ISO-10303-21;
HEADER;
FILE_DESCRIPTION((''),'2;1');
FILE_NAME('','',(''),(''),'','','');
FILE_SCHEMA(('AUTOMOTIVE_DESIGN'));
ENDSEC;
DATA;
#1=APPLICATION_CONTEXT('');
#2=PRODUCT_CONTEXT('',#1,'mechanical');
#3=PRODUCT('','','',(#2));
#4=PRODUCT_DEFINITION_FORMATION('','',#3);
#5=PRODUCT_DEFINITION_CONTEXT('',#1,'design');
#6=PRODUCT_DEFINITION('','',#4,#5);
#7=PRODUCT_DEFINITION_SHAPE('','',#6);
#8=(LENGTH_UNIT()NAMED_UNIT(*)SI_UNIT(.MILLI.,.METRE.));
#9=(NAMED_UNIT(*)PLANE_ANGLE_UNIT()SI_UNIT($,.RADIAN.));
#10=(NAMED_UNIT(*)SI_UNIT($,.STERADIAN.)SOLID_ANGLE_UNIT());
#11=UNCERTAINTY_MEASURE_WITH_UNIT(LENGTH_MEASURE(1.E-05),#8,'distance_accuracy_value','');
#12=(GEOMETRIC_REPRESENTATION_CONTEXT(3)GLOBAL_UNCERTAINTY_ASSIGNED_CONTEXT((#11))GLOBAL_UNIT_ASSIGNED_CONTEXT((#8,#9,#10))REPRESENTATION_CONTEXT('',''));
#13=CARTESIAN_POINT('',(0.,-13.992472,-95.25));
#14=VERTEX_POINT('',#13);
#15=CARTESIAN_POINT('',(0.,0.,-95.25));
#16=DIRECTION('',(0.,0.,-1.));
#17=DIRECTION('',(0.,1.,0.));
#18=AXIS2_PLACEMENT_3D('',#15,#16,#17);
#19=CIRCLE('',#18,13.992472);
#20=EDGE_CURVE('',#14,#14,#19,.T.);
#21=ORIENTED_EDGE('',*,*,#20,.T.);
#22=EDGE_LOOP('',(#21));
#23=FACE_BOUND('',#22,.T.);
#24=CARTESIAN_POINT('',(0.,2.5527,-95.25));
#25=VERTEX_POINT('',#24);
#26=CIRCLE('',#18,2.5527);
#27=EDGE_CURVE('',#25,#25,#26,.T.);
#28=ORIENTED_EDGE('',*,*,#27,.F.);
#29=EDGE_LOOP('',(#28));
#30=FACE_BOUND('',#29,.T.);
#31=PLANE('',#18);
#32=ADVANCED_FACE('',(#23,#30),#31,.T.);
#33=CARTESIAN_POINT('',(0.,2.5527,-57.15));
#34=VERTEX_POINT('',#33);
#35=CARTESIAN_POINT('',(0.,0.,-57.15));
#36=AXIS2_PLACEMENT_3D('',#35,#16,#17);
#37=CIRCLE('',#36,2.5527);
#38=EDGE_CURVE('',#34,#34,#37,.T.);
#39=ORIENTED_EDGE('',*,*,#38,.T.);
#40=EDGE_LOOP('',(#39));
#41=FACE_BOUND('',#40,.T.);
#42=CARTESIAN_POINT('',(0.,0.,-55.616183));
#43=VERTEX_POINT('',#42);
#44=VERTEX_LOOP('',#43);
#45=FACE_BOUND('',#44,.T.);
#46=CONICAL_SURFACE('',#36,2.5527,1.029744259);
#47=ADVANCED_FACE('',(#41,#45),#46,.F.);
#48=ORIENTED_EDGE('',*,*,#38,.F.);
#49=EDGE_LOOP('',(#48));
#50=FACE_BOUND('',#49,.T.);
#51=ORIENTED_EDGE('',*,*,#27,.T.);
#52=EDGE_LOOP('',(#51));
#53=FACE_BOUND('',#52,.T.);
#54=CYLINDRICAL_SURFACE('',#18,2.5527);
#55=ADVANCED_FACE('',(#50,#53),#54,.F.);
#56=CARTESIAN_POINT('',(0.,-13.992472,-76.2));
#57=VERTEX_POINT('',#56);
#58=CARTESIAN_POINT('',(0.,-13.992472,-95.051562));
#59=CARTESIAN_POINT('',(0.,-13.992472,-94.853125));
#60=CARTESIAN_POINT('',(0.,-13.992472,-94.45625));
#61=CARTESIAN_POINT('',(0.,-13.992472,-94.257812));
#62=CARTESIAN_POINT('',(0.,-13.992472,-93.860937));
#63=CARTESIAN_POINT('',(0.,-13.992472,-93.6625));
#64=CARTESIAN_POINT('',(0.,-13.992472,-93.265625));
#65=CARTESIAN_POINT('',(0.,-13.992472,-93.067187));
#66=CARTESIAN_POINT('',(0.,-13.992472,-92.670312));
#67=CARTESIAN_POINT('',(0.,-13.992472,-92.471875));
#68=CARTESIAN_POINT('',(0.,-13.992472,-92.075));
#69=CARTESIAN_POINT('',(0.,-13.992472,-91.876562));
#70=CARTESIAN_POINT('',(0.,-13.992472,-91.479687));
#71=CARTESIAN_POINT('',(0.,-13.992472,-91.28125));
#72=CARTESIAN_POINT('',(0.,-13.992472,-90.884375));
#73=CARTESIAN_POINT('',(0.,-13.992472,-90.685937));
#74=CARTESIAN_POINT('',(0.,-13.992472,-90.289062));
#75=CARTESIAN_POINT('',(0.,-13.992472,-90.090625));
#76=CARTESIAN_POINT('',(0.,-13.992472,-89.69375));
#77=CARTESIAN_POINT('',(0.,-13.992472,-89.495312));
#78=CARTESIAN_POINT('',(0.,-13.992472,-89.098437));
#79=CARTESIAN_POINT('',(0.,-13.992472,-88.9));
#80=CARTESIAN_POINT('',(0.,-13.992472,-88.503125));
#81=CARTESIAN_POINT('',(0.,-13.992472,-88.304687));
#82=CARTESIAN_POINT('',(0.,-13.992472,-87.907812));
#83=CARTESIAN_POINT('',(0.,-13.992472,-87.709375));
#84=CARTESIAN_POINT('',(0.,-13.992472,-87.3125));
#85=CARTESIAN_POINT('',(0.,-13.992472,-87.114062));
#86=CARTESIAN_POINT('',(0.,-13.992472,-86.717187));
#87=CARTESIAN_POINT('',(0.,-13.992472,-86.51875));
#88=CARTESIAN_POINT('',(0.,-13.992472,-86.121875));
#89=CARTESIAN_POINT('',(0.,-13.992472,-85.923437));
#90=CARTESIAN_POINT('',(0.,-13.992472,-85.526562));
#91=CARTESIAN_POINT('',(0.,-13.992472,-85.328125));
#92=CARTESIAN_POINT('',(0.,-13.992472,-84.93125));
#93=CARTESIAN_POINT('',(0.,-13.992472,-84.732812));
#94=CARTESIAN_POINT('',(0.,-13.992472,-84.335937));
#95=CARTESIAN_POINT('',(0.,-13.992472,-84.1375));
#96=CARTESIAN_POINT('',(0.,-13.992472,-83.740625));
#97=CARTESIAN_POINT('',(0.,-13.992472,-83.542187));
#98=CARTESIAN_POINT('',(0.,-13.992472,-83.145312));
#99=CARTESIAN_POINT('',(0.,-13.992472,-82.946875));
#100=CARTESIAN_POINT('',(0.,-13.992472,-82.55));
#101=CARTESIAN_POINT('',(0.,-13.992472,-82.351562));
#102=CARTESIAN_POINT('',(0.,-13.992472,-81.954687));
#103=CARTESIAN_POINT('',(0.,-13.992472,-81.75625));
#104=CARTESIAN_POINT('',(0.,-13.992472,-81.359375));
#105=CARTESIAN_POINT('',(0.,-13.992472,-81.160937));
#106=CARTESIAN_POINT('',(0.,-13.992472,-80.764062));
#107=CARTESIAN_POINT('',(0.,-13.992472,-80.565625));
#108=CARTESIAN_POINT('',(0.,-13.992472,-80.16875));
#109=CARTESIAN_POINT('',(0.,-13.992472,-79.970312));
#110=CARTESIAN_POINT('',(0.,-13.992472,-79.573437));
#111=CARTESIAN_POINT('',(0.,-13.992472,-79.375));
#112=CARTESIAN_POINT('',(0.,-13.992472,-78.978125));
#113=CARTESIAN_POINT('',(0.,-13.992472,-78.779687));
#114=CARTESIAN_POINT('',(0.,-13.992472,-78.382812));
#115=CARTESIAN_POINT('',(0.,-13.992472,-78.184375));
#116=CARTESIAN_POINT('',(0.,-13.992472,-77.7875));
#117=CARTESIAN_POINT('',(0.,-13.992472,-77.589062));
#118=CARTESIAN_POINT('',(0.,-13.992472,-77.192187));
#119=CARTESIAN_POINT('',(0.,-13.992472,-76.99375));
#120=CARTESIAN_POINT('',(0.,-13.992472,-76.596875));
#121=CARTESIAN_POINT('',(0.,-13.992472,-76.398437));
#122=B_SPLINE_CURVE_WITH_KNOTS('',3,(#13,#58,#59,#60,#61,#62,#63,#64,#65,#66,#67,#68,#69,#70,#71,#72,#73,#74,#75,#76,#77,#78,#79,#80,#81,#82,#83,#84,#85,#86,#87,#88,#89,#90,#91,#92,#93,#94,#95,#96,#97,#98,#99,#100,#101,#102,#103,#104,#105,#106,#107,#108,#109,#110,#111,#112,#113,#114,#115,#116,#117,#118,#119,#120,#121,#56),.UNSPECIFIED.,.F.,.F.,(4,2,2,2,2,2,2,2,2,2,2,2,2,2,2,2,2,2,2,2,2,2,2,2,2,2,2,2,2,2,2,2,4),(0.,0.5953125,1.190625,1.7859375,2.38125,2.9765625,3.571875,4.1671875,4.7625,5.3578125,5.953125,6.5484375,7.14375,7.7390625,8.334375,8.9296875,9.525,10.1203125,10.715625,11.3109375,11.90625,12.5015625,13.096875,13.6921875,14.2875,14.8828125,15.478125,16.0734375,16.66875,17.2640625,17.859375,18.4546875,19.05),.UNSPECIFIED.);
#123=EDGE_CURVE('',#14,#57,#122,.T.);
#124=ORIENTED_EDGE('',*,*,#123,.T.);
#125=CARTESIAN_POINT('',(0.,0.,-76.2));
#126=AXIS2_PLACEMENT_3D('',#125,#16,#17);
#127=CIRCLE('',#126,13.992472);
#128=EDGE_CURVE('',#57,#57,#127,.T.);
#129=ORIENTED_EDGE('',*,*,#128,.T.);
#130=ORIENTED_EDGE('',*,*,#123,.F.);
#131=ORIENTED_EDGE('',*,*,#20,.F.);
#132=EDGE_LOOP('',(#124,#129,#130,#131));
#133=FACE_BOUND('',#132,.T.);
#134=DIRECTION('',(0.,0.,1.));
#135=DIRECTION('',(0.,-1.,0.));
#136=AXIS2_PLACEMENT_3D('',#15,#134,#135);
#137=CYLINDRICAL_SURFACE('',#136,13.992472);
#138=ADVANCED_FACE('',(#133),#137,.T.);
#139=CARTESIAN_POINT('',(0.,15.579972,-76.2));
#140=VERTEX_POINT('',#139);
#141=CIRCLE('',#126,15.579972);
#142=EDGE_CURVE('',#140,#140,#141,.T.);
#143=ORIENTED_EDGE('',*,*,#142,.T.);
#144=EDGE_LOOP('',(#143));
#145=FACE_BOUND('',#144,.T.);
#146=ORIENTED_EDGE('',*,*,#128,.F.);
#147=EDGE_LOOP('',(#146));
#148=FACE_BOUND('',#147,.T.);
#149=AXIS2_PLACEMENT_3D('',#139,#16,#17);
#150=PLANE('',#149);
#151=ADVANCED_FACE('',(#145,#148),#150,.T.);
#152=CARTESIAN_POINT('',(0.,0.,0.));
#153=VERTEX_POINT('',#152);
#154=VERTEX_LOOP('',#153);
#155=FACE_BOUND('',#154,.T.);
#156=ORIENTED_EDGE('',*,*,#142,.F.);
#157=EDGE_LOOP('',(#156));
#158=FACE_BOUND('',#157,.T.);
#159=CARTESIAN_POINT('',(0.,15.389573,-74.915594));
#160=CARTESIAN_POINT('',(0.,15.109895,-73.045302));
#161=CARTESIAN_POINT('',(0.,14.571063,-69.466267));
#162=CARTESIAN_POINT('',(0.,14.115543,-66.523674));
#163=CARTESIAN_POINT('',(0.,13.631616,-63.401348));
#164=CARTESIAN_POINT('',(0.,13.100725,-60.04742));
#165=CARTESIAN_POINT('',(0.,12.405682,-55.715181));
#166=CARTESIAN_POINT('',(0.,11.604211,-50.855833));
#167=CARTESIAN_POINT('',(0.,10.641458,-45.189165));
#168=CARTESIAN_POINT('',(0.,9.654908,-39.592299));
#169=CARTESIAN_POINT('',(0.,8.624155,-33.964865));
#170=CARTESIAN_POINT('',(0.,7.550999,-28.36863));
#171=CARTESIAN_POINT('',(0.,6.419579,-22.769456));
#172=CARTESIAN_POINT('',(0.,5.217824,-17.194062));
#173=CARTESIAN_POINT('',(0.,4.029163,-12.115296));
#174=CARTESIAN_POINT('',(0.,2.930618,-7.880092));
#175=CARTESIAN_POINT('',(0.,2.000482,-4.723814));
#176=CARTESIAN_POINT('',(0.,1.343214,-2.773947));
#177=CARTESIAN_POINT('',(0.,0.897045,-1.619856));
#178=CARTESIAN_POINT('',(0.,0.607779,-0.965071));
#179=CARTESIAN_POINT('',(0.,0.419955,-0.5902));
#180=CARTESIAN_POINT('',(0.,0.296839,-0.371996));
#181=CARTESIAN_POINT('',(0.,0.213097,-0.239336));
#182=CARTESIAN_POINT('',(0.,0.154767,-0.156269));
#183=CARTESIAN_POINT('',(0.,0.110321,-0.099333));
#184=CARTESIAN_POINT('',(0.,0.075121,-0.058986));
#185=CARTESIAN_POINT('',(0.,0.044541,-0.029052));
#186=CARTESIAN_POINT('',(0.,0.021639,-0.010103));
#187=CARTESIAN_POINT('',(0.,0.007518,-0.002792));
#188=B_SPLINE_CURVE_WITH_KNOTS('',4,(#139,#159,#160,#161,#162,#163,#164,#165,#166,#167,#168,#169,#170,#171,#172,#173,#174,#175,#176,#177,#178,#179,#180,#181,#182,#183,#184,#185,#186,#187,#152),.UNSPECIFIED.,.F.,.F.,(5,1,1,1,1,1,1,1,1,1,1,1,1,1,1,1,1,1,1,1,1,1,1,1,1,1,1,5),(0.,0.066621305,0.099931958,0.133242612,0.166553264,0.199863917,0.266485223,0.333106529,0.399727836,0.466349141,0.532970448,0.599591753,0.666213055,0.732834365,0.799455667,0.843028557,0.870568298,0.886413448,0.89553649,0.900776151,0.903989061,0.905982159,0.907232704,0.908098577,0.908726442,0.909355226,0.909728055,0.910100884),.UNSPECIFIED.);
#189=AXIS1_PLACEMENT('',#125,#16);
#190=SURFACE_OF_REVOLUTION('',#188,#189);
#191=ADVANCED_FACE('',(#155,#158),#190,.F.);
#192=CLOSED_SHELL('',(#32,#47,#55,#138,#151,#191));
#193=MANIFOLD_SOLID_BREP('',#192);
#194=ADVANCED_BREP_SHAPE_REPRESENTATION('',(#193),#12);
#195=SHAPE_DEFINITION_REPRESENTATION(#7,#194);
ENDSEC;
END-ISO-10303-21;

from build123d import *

# Parameters (mm, degrees)
SKETCH2_R                   = 13.992471897
BOSS_EXTRUDE1_DEPTH         = 19.05
F_1_4_20_TAPPED_HOLE1_D     = 5.1054
F_1_4_20_TAPPED_HOLE1_DEPTH = 38.1
F_1_4_20_TAPPED_HOLE1_TIP   = 1.533816902


with BuildPart() as part:
    # Sketch1 → Revolve1 (revolve)
    with BuildSketch(Plane(origin=(0, 0, 0), x_dir=(0, 0, -1), z_dir=(1, 0, 0))):
        with BuildLine():
            Line((76.2, 15.579971897), (76.2, 0))
            Line((76.2, 0), (0, 0))
            add(Edge.make_bspline(
                [(0, 0), (0.002792133, 0.007517657), (0.010102632, 0.021639125), (0.029052268, 0.044540645), (0.058985661, 0.075120576), (0.099333271, 0.110321357), (0.156269016, 0.154766636), (0.239336461, 0.213097121), (0.371995572, 0.296839096), (0.590199779, 0.419955079), (0.965070936, 0.607778944), (1.619855874, 0.897045191), (2.773947, 1.343213722), (4.723814486, 2.000481587), (7.880092454, 2.930618269), (12.115295679, 4.029163257), (17.19406177, 5.217824231), (22.769456129, 6.419578654), (28.368629848, 7.550999177), (33.964865244, 8.624154643), (39.592299094, 9.654907581), (45.189165305, 10.641458188), (50.855832828, 11.604210971), (55.715181086, 12.405681519), (60.047419684, 13.100725468), (63.401347678, 13.631616118), (66.523674112, 14.115542748), (69.466266756, 14.571062691), (73.045302384, 15.109895406), (74.915594162, 15.389572955), (76.2, 15.579971897)],
                knots=[0, 0, 0, 0, 0, 0.000372829, 0.000745658, 0.001374442, 0.002002307, 0.00286818, 0.004118725, 0.006111823, 0.009324733, 0.014564394, 0.023687436, 0.039532586, 0.067072327, 0.110645217, 0.177266519, 0.243887829, 0.310509131, 0.377130436, 0.443751743, 0.510373048, 0.576994355, 0.643615661, 0.710236967, 0.74354762, 0.776858272, 0.810168926, 0.843479579, 0.910100884, 0.910100884, 0.910100884, 0.910100884, 0.910100884], degree=4))
        make_face()
    revolve(axis=Axis((0, 0, -76.2), (0, 0, 1)))

    # Sketch2 → Boss-Extrude1 (add)
    with BuildSketch(Plane(origin=(0, 0, -76.2), x_dir=(-1, 0, 0), z_dir=(0, 0, -1))):
        with Locations(Location((0, 0, 0), (0, 0, 270))):
            Circle(SKETCH2_R)
    extrude(amount=BOSS_EXTRUDE1_DEPTH)

    # 1/4-20 Tapped Hole1
    with Locations(Plane(origin=(0, 0, -95.25), x_dir=(-1, 0, 0), z_dir=(0, 0, -1))):
        with Locations((0, 0)):
            Hole(F_1_4_20_TAPPED_HOLE1_D / 2, depth=F_1_4_20_TAPPED_HOLE1_DEPTH)
            with Locations((0, 0, -(F_1_4_20_TAPPED_HOLE1_DEPTH + F_1_4_20_TAPPED_HOLE1_TIP / 2))):  # 118° drill point
                Cone(0, F_1_4_20_TAPPED_HOLE1_D / 2, F_1_4_20_TAPPED_HOLE1_TIP, mode=Mode.SUBTRACT)


solid = part.part
